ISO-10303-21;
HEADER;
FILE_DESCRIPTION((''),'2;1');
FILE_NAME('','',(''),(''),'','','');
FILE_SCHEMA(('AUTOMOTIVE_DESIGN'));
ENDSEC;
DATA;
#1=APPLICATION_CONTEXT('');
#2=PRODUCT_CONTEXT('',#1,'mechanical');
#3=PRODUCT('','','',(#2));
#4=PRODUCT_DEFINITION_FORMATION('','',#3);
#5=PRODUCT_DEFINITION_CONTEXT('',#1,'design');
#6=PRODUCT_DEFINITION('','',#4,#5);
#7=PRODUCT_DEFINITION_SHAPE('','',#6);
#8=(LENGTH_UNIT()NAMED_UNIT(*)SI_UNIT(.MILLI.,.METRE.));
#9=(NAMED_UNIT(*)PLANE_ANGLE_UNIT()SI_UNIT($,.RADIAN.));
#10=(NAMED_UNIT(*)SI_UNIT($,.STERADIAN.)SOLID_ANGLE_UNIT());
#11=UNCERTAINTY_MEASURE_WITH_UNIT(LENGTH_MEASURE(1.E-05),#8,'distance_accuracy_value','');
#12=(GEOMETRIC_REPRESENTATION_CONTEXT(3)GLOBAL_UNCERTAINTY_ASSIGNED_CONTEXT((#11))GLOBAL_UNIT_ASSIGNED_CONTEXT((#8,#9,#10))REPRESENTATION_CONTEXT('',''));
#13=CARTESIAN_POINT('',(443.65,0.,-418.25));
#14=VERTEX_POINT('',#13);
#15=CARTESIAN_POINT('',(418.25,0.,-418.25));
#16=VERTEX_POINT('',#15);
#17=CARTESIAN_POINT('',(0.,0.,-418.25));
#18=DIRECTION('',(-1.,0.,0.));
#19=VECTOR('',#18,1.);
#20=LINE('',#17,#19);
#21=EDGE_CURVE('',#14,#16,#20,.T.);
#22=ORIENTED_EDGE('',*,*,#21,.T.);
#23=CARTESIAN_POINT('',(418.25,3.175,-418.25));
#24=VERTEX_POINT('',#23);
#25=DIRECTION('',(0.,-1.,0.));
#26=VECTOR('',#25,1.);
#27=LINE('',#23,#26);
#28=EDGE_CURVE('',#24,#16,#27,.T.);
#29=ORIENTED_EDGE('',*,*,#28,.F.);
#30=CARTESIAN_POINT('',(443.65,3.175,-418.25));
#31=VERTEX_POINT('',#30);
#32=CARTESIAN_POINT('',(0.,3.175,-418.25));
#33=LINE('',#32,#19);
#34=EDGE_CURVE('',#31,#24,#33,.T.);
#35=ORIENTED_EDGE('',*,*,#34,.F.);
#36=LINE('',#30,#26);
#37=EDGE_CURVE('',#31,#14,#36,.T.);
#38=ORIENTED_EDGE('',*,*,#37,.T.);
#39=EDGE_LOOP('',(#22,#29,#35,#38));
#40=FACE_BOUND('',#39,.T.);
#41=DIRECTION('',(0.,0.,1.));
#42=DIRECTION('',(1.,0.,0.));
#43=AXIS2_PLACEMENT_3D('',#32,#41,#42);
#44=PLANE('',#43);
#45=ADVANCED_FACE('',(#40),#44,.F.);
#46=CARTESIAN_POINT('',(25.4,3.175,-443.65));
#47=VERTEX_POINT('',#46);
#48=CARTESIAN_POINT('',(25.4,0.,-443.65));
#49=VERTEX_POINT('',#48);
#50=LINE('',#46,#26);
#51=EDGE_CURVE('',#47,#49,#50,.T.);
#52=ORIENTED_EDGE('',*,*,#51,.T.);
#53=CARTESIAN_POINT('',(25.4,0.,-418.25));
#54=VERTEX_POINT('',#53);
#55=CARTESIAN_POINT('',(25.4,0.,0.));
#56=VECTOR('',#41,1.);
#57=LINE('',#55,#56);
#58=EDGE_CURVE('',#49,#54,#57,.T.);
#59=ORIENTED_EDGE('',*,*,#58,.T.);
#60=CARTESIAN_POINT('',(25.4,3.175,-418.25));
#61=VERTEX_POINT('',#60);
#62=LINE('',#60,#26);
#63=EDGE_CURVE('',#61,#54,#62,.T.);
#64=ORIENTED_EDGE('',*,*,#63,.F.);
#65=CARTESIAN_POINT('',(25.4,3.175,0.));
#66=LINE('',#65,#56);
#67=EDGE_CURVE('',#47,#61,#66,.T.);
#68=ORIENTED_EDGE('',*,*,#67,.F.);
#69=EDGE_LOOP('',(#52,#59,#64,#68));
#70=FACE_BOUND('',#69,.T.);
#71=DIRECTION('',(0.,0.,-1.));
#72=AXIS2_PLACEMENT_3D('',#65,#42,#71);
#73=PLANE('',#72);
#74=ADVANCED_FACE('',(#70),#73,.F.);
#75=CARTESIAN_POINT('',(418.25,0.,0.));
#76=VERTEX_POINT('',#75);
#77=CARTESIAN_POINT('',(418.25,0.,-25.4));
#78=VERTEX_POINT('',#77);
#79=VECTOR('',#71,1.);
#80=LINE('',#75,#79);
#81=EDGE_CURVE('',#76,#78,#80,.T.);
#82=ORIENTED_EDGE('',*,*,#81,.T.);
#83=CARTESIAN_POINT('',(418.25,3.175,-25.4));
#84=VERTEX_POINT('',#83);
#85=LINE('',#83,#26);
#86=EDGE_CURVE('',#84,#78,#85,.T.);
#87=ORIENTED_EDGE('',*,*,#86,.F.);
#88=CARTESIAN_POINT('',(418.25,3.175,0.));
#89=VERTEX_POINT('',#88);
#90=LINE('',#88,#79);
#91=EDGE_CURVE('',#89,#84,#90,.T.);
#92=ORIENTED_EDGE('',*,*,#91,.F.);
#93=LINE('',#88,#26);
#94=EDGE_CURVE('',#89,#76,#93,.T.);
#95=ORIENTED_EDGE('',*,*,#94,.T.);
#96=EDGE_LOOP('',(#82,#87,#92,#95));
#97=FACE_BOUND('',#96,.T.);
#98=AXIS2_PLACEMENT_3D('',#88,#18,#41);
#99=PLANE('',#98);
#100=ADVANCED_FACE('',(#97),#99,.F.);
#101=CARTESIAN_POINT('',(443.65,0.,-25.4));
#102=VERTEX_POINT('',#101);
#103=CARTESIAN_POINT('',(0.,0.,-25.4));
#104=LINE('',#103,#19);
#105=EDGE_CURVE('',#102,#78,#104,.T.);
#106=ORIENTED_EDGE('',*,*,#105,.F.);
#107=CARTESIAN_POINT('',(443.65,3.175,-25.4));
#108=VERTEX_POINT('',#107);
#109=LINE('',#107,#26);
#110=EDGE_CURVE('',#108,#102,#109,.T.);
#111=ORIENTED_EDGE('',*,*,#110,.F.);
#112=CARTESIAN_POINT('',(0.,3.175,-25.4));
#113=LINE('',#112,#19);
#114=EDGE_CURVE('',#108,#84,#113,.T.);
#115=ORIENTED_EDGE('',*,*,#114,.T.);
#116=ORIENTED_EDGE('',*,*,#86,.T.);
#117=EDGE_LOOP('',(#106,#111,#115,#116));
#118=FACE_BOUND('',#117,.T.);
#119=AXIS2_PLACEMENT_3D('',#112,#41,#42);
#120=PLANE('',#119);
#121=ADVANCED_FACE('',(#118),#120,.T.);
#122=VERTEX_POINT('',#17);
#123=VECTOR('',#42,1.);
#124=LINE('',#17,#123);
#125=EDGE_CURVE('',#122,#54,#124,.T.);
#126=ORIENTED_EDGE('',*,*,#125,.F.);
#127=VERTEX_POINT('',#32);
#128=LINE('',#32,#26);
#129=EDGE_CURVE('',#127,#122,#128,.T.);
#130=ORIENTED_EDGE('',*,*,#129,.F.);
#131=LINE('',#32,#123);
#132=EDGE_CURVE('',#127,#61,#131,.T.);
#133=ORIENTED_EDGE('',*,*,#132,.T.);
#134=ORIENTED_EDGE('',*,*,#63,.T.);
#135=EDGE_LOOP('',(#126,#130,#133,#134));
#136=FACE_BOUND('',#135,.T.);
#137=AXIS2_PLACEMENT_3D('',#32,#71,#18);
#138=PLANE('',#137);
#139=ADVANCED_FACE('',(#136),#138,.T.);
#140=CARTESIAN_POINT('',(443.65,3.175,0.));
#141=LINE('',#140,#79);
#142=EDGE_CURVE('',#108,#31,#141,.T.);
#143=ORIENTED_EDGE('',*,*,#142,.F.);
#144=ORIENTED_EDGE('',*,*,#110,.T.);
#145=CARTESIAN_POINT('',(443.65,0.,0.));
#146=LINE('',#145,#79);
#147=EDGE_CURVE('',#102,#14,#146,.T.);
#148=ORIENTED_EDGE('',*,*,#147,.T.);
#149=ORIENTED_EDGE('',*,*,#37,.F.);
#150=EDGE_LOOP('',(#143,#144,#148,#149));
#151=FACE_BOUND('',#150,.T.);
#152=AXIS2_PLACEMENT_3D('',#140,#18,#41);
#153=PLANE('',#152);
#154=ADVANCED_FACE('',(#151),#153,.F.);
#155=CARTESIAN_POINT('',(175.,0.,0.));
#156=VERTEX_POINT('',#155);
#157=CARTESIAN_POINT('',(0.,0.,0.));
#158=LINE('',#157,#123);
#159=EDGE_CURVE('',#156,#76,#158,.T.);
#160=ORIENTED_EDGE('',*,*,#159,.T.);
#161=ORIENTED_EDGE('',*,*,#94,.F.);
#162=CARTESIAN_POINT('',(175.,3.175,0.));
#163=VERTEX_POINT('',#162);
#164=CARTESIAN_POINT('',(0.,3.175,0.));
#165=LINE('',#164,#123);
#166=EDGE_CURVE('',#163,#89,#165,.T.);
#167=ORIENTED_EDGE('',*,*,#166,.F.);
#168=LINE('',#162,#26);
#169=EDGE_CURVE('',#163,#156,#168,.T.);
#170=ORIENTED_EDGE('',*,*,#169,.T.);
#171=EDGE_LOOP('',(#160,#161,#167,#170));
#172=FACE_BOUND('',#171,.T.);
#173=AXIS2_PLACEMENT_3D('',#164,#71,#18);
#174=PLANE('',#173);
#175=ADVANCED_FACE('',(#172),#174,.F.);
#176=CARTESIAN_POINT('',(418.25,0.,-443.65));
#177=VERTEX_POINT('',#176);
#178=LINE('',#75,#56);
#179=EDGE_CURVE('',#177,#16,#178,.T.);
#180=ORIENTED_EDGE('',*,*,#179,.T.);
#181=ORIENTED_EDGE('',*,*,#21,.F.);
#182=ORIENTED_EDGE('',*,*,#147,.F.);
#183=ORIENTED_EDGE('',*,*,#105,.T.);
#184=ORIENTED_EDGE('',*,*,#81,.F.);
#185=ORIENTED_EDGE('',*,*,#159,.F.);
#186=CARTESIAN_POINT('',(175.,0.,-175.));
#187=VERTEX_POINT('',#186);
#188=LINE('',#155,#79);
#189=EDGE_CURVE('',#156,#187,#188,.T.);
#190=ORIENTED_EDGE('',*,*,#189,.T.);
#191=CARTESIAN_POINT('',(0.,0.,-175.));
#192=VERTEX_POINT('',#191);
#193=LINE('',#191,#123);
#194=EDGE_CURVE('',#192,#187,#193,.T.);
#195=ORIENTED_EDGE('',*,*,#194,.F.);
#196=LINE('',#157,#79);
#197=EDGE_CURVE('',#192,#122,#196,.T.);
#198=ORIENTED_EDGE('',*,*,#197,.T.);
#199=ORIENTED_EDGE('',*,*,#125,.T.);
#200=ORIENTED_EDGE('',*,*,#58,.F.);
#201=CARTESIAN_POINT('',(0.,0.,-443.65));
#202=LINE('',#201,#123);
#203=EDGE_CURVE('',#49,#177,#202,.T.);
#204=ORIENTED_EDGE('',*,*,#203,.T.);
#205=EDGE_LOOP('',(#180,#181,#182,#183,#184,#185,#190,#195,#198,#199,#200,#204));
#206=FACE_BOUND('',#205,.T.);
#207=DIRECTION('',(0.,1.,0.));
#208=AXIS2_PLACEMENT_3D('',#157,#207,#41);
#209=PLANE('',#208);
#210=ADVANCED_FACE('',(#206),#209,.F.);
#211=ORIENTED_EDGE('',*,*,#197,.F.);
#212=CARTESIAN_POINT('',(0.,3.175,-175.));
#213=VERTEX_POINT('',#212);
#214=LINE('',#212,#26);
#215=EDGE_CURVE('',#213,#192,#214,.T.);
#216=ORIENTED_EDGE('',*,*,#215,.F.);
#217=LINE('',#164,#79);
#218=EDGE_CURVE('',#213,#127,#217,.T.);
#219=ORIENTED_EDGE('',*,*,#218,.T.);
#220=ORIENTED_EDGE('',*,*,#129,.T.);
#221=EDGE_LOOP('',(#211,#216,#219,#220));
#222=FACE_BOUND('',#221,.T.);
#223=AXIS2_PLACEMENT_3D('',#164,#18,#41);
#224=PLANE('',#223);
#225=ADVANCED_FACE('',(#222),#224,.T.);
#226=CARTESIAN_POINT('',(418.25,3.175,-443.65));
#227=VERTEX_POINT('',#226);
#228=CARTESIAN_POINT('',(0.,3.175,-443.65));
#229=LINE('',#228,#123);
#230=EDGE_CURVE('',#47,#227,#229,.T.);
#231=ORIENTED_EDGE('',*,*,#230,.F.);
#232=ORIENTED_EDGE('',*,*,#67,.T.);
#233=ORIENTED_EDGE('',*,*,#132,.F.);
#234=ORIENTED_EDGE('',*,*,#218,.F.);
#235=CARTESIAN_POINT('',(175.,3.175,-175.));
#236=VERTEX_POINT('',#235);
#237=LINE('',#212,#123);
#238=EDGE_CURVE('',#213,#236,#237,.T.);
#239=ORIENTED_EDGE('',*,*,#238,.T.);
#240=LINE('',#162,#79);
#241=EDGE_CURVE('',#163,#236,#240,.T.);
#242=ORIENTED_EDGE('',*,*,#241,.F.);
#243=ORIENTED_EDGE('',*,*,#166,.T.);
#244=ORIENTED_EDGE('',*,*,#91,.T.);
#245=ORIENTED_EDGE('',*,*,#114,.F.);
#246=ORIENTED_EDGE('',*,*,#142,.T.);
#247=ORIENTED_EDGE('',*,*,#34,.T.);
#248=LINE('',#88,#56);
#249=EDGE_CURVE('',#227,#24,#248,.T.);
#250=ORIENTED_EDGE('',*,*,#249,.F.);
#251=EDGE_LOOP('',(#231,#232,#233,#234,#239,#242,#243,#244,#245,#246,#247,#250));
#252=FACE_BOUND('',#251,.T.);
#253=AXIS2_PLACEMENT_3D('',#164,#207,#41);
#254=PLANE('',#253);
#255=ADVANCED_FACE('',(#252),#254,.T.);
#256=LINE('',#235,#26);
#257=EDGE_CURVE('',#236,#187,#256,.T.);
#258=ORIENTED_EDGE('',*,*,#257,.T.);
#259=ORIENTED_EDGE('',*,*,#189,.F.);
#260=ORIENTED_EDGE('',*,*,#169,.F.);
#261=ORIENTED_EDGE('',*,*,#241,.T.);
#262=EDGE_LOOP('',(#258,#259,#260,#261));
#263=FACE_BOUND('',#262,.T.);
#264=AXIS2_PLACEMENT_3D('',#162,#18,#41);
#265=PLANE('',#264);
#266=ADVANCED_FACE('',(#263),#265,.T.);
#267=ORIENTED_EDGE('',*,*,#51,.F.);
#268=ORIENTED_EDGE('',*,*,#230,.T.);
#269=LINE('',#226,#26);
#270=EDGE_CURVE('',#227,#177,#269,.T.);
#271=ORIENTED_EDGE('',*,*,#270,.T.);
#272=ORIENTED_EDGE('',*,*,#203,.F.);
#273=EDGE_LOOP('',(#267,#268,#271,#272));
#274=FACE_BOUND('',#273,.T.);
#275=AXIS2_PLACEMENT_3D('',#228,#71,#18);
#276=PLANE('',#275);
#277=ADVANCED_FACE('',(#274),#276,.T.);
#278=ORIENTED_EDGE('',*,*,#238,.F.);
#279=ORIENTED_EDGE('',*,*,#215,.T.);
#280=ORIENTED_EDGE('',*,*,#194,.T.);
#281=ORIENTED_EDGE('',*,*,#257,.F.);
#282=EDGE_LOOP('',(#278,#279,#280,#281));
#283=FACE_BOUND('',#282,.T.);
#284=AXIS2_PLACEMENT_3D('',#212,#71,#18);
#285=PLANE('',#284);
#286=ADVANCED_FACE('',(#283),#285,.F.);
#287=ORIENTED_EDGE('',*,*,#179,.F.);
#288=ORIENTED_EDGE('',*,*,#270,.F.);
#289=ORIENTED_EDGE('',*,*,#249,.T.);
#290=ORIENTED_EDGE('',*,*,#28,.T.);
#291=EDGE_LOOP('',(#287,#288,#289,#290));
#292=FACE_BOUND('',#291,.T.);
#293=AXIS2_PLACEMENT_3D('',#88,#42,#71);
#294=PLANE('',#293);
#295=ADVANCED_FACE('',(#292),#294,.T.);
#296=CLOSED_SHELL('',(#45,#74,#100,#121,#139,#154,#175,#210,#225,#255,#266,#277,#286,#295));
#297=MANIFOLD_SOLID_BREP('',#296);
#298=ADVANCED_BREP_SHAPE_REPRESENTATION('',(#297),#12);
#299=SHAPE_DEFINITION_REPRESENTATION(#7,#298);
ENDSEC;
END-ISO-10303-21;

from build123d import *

# Parameters (mm, degrees)
BOSS_EXTRUDE1_DEPTH = 3.175


with BuildPart() as part:
    # Sketch1 → Boss-Extrude1 (new body)
    with BuildSketch(Plane(origin=(0, 0, 0), x_dir=(1, 0, 0), z_dir=(0, 1, 0))):
        Polygon((175, 175), (175, 0), (418.25, 0), (418.25, 25.4), (443.65, 25.4), (443.65, 418.25), (418.25, 418.25), (418.25, 443.65), (25.4, 443.65), (25.4, 418.25), (0, 418.25), (0, 175), align=None)
    extrude(amount=BOSS_EXTRUDE1_DEPTH)


solid = part.part
